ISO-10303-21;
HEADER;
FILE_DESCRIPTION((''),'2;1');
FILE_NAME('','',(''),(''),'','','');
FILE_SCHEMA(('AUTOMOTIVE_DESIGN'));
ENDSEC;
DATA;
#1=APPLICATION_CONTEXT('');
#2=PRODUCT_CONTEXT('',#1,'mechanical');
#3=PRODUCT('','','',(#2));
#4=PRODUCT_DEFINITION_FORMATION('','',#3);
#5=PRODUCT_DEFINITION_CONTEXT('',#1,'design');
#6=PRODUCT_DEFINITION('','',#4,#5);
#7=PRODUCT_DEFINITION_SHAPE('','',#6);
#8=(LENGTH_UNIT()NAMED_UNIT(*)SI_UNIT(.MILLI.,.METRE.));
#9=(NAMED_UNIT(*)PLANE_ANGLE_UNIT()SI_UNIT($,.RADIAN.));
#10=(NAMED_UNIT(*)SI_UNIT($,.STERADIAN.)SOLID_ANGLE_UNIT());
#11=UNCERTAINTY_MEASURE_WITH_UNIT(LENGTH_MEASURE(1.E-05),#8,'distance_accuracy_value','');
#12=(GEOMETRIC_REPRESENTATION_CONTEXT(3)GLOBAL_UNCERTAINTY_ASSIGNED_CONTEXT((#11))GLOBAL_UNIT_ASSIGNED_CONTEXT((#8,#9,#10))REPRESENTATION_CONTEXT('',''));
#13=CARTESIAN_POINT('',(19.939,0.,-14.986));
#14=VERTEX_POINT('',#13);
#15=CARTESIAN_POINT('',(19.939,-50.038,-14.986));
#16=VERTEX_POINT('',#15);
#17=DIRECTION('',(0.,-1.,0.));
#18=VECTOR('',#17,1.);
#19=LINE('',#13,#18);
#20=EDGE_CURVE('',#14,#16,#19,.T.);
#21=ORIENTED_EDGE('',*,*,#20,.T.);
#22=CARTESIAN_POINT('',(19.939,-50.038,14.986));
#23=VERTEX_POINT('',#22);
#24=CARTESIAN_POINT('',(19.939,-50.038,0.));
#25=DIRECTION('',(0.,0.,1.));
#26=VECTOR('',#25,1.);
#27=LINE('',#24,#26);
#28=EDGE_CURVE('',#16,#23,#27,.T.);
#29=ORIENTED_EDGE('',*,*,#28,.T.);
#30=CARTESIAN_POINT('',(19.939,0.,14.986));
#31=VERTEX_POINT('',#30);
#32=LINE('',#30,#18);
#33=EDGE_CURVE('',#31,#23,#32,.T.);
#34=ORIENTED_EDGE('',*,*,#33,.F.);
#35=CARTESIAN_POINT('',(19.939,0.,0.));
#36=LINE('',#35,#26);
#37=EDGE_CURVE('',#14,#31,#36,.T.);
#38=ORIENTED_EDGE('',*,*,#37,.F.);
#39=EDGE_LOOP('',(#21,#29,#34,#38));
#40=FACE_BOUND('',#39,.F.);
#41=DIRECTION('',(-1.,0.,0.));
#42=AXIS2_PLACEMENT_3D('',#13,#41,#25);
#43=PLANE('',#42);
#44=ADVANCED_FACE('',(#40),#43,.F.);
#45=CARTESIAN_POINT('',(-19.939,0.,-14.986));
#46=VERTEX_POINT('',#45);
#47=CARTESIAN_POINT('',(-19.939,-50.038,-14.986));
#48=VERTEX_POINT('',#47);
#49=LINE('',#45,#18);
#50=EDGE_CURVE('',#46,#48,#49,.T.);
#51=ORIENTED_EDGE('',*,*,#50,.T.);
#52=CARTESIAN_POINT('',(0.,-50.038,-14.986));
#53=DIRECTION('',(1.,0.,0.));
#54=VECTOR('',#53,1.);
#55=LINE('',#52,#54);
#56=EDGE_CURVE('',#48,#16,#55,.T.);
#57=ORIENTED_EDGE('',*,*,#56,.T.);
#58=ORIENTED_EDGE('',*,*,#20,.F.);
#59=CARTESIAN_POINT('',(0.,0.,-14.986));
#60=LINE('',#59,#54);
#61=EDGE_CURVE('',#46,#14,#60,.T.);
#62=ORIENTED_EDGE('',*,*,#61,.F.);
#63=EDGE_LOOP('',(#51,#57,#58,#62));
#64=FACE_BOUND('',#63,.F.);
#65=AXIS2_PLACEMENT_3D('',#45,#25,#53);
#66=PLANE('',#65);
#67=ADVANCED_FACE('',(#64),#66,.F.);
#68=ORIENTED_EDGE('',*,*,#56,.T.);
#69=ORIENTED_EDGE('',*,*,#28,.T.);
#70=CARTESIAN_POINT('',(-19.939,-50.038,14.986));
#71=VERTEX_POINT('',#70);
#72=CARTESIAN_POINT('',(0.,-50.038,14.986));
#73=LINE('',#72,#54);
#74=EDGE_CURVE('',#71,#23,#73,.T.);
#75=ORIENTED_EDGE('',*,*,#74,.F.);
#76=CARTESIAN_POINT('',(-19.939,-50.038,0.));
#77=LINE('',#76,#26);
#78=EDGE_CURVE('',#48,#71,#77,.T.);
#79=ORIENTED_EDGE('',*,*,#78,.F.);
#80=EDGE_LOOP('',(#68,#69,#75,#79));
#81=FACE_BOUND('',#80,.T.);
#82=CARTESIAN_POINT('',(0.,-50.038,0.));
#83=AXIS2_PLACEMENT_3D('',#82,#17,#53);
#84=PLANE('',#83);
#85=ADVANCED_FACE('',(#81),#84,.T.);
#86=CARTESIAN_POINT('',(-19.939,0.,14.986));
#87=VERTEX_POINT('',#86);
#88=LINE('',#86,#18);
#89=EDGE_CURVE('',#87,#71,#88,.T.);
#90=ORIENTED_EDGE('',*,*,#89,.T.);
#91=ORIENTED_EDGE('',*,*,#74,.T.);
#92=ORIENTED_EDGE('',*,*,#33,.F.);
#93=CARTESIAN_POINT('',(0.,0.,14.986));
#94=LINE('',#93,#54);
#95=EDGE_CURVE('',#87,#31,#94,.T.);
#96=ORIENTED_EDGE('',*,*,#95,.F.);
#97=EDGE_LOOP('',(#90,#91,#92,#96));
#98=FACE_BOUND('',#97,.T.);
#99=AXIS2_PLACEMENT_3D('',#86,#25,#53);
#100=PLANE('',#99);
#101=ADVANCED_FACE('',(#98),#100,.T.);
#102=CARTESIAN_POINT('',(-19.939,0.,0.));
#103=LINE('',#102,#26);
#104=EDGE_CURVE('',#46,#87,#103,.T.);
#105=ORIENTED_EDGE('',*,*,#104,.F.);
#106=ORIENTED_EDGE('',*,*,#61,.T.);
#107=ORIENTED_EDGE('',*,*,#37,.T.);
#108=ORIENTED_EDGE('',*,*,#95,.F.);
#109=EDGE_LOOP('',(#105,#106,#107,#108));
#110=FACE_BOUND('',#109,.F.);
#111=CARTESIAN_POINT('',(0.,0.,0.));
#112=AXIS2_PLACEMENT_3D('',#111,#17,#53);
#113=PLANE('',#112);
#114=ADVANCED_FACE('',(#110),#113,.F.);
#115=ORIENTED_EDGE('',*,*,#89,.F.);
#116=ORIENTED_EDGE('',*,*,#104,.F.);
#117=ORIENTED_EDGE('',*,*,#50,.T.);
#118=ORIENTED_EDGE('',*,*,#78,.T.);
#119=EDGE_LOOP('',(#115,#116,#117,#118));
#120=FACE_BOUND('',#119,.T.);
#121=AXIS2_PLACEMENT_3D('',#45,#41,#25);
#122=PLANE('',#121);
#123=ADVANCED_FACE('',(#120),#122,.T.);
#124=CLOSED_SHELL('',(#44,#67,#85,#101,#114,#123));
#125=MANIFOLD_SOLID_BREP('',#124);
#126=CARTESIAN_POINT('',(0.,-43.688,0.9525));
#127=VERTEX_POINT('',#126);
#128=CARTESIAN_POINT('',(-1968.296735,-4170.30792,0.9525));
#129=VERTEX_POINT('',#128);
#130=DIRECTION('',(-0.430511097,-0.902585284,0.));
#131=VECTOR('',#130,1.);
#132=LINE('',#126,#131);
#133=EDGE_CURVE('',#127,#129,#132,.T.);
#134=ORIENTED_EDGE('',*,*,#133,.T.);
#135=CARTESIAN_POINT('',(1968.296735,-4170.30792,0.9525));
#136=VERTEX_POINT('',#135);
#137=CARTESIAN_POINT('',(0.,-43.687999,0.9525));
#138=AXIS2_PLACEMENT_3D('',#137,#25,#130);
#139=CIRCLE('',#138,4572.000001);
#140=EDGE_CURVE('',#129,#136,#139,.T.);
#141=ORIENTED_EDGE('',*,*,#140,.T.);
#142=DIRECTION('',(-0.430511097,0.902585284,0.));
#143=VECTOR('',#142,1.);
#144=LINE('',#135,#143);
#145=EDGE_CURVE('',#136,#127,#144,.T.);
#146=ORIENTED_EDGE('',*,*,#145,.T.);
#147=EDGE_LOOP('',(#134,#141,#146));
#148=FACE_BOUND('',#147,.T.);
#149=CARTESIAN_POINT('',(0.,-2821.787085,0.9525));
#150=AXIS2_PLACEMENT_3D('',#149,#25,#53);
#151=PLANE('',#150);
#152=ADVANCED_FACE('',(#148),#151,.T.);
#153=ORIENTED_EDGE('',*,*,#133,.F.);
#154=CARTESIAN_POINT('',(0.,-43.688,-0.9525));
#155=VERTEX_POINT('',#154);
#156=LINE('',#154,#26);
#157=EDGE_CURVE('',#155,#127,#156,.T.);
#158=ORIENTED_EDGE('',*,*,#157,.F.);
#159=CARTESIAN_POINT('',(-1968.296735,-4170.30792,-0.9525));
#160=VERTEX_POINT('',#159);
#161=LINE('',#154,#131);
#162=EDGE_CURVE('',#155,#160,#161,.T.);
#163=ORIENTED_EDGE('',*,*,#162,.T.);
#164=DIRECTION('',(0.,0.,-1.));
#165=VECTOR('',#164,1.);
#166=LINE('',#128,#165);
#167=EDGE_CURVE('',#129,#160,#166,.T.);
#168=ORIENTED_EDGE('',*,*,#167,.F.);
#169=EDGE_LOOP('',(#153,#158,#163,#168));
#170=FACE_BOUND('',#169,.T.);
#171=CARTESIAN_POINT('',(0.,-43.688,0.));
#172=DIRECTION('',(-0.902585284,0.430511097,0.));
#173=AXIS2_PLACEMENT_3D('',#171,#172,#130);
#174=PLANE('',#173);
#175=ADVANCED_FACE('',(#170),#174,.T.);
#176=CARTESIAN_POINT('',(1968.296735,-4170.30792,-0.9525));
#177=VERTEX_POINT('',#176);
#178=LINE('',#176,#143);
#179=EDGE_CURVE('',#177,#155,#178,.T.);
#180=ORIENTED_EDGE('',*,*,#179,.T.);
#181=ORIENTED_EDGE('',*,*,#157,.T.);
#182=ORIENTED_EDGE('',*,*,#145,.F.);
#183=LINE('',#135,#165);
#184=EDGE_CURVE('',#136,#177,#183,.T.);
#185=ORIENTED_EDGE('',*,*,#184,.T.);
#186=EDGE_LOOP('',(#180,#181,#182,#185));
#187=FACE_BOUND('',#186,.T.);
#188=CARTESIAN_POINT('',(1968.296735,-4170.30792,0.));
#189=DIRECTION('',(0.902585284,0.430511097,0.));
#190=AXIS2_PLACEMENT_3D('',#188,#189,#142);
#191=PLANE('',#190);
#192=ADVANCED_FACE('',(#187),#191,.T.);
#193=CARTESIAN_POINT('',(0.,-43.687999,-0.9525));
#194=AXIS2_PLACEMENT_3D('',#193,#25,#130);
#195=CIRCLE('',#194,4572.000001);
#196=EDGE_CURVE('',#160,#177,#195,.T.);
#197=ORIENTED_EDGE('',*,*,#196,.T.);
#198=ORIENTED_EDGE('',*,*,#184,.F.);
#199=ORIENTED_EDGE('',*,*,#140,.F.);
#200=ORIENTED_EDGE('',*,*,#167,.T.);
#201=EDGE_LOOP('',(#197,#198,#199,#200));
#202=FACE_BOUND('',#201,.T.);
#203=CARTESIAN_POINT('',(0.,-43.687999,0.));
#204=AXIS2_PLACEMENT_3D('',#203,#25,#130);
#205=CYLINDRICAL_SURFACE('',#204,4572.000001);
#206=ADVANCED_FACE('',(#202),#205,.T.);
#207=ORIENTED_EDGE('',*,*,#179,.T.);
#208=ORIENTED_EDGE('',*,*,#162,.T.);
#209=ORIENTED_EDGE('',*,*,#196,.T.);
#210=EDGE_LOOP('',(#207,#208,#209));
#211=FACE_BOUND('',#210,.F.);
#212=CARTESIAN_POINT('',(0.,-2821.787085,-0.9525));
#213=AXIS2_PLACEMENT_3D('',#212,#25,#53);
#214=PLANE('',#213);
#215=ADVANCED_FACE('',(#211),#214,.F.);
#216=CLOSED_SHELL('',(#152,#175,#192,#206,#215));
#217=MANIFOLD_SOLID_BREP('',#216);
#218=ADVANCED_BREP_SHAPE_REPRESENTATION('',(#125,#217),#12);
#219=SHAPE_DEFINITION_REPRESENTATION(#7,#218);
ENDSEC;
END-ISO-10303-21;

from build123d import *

# Parameters (mm, degrees)
F0_W     = 39.878
F0_H     = 29.972
F1_DEPTH = 50.038
F3_DEPTH = 0.9525


with BuildPart() as f1:
    # F0 (on Front) → F1 (new body)
    with BuildSketch(Plane.XZ):
        Rectangle(F0_W, F0_H)
    extrude(amount=F1_DEPTH)


with BuildPart() as f3:
    # F2 (on Top) → F3 (new body, symmetric)
    with BuildSketch(Plane.XY):
        with BuildLine():
            Line((1968.296735, -4170.30792), (0, -43.688))
            Line((0, -43.688), (-1968.296735, -4170.30792))
            ThreePointArc((-1968.296735, -4170.30792), (0, -4615.688), (1968.296735, -4170.30792))
        make_face()
    extrude(amount=F3_DEPTH, both=True)


solid = Compound([f1.part, f3.part])
